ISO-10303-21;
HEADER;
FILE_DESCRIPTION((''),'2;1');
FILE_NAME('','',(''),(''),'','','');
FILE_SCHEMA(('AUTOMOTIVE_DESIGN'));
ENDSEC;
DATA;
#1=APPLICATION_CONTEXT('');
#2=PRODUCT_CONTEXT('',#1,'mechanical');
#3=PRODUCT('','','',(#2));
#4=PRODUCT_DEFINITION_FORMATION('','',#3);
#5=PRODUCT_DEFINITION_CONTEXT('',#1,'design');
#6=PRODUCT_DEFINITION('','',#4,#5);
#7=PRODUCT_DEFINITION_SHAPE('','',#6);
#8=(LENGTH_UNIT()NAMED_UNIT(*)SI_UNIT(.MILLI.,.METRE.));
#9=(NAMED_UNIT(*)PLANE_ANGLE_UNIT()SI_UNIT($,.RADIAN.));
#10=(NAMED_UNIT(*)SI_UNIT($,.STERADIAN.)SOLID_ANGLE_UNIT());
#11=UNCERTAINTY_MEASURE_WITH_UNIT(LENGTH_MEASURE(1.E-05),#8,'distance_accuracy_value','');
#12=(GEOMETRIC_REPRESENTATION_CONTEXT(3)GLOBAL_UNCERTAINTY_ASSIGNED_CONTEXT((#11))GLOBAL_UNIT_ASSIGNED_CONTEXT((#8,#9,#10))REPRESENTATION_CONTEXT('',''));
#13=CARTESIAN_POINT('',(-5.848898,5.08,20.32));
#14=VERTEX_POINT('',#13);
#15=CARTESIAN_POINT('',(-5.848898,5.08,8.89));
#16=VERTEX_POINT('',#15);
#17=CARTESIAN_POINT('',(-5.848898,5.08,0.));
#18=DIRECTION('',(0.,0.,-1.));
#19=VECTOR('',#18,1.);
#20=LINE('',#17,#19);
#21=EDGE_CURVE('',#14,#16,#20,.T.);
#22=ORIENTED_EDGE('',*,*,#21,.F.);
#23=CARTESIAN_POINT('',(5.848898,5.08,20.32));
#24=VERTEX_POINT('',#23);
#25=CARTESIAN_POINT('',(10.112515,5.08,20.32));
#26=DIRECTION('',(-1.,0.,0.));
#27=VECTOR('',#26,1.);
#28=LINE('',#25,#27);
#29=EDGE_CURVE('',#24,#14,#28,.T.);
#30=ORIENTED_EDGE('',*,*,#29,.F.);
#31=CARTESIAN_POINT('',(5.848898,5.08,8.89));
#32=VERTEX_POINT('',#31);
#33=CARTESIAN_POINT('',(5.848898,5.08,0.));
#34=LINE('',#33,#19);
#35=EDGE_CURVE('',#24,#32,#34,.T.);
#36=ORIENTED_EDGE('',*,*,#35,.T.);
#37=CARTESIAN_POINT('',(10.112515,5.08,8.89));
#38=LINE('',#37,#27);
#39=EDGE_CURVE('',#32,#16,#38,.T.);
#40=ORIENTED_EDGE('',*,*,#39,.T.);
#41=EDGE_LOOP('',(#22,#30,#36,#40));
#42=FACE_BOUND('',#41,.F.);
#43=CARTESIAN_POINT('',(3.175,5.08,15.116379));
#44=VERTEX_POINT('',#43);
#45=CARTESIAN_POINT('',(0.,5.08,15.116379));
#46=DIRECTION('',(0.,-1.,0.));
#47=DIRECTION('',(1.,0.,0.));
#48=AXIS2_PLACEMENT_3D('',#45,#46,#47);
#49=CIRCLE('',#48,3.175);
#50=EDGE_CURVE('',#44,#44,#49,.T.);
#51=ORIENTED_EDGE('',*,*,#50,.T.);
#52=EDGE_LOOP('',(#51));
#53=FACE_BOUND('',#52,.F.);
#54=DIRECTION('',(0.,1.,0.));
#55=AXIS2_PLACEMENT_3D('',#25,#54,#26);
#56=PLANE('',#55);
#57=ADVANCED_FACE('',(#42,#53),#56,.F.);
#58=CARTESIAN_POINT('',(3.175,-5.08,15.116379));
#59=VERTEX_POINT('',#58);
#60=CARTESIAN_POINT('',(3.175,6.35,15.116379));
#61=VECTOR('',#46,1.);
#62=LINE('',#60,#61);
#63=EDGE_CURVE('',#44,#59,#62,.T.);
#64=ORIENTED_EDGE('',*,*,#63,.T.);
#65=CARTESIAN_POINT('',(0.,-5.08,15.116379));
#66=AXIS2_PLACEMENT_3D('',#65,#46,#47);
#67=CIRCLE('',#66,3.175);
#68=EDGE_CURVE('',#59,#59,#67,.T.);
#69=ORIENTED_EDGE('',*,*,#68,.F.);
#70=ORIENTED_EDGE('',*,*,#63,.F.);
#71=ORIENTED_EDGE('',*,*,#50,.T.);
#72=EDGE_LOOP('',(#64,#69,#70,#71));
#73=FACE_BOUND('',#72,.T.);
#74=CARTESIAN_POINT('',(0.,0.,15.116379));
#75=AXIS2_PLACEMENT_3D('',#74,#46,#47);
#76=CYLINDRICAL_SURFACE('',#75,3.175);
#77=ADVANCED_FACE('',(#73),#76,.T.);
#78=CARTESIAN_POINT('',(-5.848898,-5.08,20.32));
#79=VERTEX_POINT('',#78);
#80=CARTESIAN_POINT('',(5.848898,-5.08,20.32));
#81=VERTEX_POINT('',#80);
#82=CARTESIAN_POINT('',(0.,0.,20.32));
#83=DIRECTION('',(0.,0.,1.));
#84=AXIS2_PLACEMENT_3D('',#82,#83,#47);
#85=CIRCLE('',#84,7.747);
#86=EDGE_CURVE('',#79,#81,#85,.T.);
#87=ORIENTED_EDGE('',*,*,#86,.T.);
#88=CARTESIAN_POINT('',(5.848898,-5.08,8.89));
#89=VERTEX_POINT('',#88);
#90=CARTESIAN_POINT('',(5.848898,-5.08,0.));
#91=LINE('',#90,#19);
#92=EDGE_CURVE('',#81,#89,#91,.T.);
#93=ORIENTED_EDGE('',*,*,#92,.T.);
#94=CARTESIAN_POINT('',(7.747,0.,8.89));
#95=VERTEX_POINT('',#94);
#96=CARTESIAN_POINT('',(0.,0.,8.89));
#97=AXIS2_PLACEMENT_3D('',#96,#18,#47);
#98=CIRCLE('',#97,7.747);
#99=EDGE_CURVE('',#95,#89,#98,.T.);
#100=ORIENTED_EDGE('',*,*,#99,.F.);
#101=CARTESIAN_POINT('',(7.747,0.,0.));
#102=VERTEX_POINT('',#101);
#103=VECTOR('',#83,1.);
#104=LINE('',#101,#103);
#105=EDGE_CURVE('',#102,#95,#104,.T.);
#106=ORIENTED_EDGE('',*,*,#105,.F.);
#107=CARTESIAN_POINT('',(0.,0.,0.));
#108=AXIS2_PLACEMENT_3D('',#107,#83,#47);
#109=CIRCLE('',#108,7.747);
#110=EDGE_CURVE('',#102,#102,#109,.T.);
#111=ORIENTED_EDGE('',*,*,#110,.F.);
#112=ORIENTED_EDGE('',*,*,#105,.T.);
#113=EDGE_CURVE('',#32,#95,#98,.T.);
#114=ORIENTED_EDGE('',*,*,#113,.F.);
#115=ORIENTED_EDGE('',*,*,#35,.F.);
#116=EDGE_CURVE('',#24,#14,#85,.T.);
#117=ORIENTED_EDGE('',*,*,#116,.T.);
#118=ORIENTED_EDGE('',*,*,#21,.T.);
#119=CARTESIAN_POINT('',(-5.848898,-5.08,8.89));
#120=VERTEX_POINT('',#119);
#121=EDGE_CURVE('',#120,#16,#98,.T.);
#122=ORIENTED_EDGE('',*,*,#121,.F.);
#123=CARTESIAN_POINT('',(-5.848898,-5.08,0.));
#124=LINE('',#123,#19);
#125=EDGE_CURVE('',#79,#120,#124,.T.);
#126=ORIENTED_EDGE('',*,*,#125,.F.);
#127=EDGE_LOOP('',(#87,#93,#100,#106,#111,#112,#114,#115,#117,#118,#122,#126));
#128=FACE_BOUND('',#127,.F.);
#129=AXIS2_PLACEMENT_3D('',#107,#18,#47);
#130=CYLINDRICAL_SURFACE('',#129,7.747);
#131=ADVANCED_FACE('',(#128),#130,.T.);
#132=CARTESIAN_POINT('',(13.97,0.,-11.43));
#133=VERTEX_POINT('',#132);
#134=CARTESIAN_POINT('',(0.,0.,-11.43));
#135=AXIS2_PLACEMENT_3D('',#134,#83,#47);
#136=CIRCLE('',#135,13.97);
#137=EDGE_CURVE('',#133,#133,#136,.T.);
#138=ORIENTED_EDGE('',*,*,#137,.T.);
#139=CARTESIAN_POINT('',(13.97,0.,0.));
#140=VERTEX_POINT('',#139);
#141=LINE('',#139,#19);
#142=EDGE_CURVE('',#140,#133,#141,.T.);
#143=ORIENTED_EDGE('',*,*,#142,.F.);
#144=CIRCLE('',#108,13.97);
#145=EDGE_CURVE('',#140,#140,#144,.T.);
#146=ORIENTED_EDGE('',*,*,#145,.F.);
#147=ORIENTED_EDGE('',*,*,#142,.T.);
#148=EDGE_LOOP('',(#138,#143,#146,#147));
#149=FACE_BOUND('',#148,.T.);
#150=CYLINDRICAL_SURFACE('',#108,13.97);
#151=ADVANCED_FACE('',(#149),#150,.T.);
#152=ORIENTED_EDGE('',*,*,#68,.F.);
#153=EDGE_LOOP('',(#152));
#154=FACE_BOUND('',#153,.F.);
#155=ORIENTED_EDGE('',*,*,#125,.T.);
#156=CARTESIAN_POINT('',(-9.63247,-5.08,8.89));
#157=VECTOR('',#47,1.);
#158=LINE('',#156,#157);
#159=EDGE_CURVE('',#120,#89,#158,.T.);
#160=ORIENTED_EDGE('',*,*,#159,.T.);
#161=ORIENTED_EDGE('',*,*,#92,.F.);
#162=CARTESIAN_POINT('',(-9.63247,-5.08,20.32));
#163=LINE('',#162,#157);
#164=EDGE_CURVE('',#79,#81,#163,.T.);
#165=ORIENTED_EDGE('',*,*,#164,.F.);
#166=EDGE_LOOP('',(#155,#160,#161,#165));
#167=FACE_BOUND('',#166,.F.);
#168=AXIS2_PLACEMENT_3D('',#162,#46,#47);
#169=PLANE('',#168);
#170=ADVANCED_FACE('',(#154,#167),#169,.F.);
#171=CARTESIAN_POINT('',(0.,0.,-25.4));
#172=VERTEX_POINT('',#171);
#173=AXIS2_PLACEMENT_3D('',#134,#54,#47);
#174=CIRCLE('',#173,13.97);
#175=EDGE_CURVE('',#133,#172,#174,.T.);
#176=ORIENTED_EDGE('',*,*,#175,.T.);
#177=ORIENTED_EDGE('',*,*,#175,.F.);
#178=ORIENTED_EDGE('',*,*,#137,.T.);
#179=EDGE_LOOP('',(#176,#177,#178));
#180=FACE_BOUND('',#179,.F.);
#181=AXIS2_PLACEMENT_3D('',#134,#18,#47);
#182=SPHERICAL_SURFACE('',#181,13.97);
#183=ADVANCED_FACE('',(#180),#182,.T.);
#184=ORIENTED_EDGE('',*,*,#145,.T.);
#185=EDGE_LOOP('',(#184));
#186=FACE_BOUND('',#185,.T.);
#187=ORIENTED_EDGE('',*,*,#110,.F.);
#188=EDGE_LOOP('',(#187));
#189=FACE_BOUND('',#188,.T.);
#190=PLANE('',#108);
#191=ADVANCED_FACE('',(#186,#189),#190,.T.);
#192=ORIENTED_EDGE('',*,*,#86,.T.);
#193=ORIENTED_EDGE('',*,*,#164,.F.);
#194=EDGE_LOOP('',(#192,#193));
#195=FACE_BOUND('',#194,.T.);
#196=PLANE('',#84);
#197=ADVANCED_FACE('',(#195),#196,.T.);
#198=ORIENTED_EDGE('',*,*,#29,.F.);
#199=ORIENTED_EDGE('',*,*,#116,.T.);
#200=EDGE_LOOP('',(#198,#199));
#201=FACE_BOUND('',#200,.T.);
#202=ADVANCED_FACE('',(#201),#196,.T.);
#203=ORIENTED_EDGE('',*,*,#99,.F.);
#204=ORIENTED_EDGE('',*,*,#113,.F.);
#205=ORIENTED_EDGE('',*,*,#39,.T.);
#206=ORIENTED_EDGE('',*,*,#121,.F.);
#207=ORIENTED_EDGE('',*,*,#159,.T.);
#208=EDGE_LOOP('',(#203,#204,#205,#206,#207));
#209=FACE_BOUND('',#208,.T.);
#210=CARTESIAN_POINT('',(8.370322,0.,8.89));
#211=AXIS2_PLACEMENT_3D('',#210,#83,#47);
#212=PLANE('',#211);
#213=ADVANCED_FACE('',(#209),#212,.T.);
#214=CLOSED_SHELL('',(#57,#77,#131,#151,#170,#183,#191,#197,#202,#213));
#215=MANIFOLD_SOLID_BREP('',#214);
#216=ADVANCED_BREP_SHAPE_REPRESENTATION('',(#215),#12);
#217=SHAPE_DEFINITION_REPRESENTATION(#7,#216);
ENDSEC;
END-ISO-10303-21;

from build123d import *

# Parameters (mm, degrees)
F0_R     = 7.747
F1_DEPTH = 20.32
F0_R_2   = 13.97
F2_DEPTH = 25.4
F3_R     = 13.97
F5_DEPTH = 11.43
F6_R     = 3.175
F7_DEPTH = 6.35


with BuildPart() as f1:
    # F0 (on Top) → F1 (new body)
    with BuildSketch(Plane.XY):
        Circle(F0_R)
    extrude(amount=F1_DEPTH)

    # F0 (on Top) → F2 (join)
    with BuildSketch(Plane.XY):
        Circle(F0_R_2)
        Circle(F0_R, mode=Mode.SUBTRACT)
        Circle(F0_R)
    extrude(amount=-F2_DEPTH)

    # F3
    f3_edges = [f1.edges().sort_by_distance(p)[0] for p in [
        (-13.97, 0, -25.4),
    ]]
    fillet(f3_edges, radius=F3_R)

    # F4 (on face) → F5 (cut)
    with BuildSketch(Plane.XY.offset(20.32)):
        with BuildLine():
            Line((10.1125147194, 5.08), (5.8488981014, 5.08))
            ThreePointArc((5.8488981014, 5.08), (7.2569767325, 2.7115120698), (7.747, 0))
            ThreePointArc((7.747, 0), (7.2569767325, -2.7115120698), (5.8488981014, -5.08))
            Line((5.8488981014, -5.08), (10.1125147194, -5.08))
            Line((10.1125147194, -5.08), (10.1125147194, 5.08))
        make_face()
        with BuildLine():
            Line((5.8488981014, 5.08), (-5.8488981014, 5.08))
            ThreePointArc((-5.8488981014, 5.08), (-7.747, 0), (-5.8488981014, -5.08))
            Line((-5.8488981014, -5.08), (5.8488981014, -5.08))
            ThreePointArc((5.8488981014, -5.08), (7.2569767325, -2.7115120698), (7.747, 0))
            ThreePointArc((7.747, 0), (7.2569767325, 2.7115120698), (5.8488981014, 5.08))
        make_face()
        with BuildLine():
            Line((-5.8488981014, 5.08), (-9.6324700862, 5.08))
            Line((-9.6324700862, 5.08), (-9.6324700862, -5.08))
            Line((-9.6324700862, -5.08), (-5.8488981014, -5.08))
            ThreePointArc((-5.8488981014, -5.08), (-7.747, 0), (-5.8488981014, 5.08))
        make_face()
    extrude(amount=-F5_DEPTH, mode=Mode.SUBTRACT)

    # F6 (on Front) → F7 (join, symmetric)
    with BuildSketch(Plane.XZ):
        with Locations((0, 15.116378665)):
            Circle(F6_R)
    extrude(amount=F7_DEPTH, both=True)


solid = f1.part
